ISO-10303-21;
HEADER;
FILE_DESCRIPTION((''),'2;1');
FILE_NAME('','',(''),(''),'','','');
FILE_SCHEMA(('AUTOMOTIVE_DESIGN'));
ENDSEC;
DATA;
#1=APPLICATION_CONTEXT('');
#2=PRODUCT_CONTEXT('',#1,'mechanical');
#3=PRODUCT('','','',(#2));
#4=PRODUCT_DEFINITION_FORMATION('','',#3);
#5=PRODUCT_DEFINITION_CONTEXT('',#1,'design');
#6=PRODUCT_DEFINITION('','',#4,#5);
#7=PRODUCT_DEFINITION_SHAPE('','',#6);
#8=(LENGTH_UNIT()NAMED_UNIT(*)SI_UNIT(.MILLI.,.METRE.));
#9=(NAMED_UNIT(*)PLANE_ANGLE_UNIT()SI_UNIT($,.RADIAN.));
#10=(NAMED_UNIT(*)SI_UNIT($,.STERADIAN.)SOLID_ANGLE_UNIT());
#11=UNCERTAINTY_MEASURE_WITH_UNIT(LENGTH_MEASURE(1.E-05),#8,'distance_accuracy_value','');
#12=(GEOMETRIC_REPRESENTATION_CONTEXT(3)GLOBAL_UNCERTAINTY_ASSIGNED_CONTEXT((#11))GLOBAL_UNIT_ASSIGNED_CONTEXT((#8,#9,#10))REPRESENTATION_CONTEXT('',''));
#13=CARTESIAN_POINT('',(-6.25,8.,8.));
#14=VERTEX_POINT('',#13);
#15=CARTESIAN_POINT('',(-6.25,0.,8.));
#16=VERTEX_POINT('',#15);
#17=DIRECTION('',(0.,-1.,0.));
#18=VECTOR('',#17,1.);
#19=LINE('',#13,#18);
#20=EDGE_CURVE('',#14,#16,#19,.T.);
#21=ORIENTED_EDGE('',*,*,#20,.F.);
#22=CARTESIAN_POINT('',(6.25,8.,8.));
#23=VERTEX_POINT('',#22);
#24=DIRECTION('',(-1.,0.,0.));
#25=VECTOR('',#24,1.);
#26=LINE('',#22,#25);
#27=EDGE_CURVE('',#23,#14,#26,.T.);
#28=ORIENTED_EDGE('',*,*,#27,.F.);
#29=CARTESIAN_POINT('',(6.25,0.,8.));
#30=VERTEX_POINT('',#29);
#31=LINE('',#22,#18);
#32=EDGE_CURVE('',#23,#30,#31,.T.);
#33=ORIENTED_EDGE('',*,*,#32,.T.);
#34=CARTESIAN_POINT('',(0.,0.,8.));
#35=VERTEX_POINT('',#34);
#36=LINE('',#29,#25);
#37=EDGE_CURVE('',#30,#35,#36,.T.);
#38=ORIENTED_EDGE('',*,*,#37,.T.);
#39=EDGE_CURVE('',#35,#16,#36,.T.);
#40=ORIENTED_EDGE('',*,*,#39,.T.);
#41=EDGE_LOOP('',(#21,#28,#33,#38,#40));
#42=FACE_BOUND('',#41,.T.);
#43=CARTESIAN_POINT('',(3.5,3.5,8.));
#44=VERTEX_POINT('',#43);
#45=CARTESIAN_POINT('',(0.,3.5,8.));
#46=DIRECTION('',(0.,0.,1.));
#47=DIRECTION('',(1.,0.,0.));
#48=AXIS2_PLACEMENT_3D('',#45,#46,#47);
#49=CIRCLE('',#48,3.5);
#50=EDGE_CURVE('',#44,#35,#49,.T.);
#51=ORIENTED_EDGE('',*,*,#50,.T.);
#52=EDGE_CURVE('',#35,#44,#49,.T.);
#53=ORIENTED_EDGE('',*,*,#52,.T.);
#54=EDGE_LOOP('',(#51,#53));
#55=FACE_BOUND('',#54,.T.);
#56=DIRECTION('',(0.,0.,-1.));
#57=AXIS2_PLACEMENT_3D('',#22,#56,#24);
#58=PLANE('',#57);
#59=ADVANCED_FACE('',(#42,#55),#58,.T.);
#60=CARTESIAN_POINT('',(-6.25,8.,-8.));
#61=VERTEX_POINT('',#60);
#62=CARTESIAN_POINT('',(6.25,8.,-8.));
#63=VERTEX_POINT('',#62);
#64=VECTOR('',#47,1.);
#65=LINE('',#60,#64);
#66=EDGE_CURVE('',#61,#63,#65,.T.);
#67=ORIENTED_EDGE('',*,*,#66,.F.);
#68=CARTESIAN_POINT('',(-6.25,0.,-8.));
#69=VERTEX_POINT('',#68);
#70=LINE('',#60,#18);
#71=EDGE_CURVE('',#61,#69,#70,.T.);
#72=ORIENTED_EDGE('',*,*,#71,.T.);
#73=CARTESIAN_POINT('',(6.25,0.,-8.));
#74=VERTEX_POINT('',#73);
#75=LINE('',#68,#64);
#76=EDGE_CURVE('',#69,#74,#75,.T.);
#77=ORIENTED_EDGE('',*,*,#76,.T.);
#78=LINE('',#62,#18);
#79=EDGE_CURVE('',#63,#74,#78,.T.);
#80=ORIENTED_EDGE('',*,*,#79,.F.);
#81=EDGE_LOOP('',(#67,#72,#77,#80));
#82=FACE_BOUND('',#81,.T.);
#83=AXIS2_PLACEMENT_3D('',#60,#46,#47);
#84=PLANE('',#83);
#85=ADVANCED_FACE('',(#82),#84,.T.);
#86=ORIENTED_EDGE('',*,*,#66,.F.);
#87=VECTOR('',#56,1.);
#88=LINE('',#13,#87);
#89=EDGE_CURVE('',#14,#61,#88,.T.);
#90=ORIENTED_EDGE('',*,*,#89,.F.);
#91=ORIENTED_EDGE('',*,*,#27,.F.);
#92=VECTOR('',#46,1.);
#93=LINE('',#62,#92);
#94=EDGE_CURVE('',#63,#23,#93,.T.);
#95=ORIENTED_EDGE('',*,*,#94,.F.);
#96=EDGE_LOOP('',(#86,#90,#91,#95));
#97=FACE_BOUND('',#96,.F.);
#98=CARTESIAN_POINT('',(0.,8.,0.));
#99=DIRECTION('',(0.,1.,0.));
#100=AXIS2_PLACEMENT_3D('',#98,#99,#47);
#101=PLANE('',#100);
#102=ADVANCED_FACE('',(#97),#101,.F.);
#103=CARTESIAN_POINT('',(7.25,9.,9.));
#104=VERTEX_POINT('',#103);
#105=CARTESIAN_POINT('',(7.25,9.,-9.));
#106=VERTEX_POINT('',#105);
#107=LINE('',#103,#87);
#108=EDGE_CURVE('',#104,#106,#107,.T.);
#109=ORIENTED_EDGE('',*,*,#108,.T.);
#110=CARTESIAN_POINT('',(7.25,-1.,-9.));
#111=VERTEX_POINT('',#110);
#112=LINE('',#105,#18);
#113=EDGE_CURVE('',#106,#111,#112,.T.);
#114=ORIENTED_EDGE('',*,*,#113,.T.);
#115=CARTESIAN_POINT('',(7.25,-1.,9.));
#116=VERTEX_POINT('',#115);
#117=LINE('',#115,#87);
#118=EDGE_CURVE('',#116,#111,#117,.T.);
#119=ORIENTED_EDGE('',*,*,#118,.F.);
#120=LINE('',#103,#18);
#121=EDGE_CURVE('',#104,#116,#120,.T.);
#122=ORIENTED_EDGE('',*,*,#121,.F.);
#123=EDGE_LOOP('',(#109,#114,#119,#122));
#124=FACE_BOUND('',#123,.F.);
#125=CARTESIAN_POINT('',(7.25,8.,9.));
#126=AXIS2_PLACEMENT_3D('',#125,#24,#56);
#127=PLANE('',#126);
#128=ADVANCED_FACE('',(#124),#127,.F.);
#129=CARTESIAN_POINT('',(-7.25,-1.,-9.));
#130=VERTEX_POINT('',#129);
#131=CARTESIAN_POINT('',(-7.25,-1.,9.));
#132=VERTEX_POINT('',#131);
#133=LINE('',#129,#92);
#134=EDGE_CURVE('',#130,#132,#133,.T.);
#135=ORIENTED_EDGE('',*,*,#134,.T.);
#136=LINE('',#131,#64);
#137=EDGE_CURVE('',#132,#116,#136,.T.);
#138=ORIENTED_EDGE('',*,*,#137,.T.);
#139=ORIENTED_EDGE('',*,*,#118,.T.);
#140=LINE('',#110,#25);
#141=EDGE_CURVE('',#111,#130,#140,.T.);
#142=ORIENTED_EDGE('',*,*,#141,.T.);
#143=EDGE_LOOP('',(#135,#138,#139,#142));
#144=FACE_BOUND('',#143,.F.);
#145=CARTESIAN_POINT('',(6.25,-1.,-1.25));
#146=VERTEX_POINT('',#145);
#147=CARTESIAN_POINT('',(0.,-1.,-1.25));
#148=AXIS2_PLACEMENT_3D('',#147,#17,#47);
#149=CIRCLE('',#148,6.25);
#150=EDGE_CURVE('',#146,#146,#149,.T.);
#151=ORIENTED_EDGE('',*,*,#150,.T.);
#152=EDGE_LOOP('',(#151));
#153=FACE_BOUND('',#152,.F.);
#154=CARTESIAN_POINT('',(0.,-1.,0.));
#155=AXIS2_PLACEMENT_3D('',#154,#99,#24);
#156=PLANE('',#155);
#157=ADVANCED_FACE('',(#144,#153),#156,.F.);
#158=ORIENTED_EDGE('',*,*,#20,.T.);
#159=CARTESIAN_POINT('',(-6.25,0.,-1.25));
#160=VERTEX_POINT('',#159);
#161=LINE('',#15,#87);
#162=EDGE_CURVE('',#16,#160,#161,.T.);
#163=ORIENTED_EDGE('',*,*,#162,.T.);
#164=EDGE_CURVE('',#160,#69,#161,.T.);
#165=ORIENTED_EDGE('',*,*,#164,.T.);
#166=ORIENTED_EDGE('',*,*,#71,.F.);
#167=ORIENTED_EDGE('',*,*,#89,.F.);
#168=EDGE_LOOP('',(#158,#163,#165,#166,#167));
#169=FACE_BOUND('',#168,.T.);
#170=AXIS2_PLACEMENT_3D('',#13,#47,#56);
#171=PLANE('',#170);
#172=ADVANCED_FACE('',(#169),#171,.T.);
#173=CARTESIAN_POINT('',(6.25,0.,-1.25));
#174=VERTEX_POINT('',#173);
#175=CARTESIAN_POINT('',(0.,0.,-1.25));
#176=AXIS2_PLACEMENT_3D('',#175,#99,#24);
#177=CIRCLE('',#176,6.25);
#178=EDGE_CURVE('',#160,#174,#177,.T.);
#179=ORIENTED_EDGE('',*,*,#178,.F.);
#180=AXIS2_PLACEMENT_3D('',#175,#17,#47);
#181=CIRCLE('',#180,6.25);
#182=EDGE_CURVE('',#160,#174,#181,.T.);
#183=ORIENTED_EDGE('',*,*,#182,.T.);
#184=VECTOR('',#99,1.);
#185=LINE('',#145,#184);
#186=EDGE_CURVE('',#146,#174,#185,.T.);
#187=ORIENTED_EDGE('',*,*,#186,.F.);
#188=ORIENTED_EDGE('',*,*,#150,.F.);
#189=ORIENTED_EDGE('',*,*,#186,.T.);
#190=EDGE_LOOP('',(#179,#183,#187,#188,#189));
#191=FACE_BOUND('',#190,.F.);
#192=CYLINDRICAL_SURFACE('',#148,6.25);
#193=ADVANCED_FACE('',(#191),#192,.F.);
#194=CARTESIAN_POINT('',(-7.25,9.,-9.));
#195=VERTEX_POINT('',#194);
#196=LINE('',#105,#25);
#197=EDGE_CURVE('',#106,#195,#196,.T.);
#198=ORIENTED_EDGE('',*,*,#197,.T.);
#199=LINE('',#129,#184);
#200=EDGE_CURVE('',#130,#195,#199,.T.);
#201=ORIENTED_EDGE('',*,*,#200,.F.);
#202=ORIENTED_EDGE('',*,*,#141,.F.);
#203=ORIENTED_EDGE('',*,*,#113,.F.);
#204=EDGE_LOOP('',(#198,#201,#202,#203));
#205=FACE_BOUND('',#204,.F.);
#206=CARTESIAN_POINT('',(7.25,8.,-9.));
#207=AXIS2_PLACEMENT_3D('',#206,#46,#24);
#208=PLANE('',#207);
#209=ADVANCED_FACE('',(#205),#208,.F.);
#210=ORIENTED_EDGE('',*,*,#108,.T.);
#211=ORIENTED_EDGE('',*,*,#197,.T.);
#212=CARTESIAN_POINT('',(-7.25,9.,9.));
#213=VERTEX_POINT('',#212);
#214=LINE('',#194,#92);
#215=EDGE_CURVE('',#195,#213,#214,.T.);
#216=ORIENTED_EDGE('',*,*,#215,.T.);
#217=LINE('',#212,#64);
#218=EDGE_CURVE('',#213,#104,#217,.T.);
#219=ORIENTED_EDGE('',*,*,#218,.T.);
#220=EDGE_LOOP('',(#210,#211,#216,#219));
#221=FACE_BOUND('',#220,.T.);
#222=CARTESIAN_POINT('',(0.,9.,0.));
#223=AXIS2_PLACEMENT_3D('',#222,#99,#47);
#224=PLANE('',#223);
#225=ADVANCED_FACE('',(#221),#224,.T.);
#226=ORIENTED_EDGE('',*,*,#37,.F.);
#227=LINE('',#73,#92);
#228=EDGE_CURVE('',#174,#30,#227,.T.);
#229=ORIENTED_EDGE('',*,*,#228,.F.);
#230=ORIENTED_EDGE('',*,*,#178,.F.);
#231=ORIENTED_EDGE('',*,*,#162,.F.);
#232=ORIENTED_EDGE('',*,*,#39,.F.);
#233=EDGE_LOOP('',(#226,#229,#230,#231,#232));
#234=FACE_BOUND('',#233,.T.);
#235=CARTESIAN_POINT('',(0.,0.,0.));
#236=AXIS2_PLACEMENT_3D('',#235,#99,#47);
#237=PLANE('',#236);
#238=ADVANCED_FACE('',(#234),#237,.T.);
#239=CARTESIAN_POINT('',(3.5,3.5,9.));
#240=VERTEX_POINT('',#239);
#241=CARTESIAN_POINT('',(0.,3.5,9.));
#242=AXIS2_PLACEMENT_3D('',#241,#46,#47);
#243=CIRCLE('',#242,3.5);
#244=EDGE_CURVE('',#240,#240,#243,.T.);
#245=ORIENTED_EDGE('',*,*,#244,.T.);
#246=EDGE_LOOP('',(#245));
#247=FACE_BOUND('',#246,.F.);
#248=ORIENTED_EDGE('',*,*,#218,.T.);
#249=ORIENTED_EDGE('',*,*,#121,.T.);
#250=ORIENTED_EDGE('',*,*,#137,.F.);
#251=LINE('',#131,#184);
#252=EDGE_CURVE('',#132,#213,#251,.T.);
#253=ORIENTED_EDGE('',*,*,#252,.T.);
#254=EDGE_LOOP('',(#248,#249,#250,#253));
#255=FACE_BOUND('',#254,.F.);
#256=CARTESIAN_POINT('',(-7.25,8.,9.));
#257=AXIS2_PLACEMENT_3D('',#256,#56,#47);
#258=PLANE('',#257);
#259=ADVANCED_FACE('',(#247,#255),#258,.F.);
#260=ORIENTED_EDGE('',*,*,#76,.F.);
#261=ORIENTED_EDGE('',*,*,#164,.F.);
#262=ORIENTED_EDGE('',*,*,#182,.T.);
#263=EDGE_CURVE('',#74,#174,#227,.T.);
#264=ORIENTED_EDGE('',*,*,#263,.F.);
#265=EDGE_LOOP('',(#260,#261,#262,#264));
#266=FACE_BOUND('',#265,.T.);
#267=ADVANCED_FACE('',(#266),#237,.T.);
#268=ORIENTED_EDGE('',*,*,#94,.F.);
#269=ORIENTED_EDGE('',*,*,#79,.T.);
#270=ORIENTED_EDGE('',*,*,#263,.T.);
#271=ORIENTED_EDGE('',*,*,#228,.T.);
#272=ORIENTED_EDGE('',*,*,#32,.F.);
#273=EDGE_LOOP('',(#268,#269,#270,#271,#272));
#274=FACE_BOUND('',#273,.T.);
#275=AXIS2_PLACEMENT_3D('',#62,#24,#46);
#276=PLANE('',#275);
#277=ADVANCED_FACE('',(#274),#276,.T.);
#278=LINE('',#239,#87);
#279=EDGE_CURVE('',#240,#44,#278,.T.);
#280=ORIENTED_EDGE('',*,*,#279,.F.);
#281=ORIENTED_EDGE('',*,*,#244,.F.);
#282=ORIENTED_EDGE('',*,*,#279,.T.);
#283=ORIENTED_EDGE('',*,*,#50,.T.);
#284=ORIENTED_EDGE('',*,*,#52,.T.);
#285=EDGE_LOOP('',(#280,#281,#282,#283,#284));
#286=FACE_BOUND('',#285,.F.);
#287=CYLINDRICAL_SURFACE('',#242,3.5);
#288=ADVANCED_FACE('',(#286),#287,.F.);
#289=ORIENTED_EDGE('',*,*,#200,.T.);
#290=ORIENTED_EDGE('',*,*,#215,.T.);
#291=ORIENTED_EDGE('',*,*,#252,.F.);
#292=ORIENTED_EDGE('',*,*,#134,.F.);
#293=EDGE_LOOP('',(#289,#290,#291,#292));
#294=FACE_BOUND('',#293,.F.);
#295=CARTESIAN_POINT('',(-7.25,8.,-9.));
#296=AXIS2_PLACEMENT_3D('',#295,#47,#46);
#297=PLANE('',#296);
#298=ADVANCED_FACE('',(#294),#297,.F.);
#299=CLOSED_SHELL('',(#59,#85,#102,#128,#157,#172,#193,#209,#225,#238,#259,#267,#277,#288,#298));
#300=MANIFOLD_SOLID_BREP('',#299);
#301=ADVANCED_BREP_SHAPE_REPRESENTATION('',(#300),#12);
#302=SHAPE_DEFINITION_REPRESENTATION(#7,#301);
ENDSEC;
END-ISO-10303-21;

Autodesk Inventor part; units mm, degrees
ref_plane "YZ Plane" through (0, 0, 0) normal (1, 0, 0) x (0, 1, 0)
ref_plane "XZ Plane" through (0, 0, 0) normal (0, 1, 0) x (-1, 0, 0)
ref_plane "XY Plane" through (0, 0, 0) normal (0, 0, 1) x (1, 0, 0)
sketch "Sketch1" plane through (0, 0, 0) normal (0, 1, 0) x (-1, 0, 0)
  line L0 (-7.25, -9) -> (7.25, -9)
  line L1 (7.25, -9) -> (7.25, 9)
  line L2 (7.25, 9) -> (-7.25, 9)
  line L3 (-7.25, 9) -> (-7.25, -9)
  line L4 (-7.25, -9) -> (7.25, 9) construction
  line L5 (7.25, -9) -> (-7.25, 9) construction
  point P0 (0, 0)
  dimension "d0" = 14.5
  dimension "d1" = 18
extrude "Extrusion1" add sketch "Sketch1" along normal blind 8 and the other way blind 1
sketch "Sketch2" plane through (0, -1, 0) normal (0, -1, 0) x (1, 0, 0)
  line L0 (-7.25, 9) -> (-7.25, -9) projected
  line L1 (-7.25, -9) -> (7.25, -9) projected
  circle A0 centre (0, -1.25) radius 6.25
  point P0 (0, 0)
  dimension "d7" = 1.5
  dimension "d8" = 1
  dimension "d9" = 12.5
extrude "Extrusion2" cut sketch "Sketch2" against normal blind 8
sketch "Sketch3" plane through (-7.25, 8, 9) normal (0, 0, 1) x (1, 0, 0)
  line L0 (0, 0) -> (14.5, 0) projected
  circle A0 centre (7.25, -4.5) radius 3.5
  point P0 (7.25, -8)
  dimension "d14" = 1
extrude "Extrusion3" cut sketch "Sketch3" against normal blind 8
sketch "Sketch4" plane through (0, 8, 0) normal (0, 1, 0) x (1, 0, 0)
  line L0 (-7.25, 9) -> (-7.25, -9) projected
  line L1 (-7.25, -9) -> (7.25, -9) projected
  line L2 (7.25, -9) -> (7.25, 9) projected
  line L3 (7.25, 9) -> (-7.25, 9) projected
  line L4 (6.25, -8) -> (-6.25, -8)
  line L5 (-6.25, -8) -> (-6.25, 8)
  line L6 (-6.25, 8) -> (6.25, 8)
  line L7 (6.25, 8) -> (6.25, -8)
  point P0 (0, 0)
  dimension "d17" = 1
  dimension "d18" = 1
  dimension "d19" = 1
  dimension "d20" = 1
extrude "Extrusion4" cut sketch "Sketch4" against normal blind 8 contours L4 L5 L6 L7
sketch "Sketch5" plane through (0, 8, 0) normal (0, 1, 0) x (1, 0, 0)
  line L0 (-7.25, 9) -> (-7.25, -9) projected
  line L1 (-7.25, -9) -> (7.25, -9) projected
  line L2 (7.25, -9) -> (7.25, 9) projected
  line L3 (7.25, 9) -> (-7.25, 9) projected
  line L4 (7.25, -9) -> (-7.25, -9) projected
  line L5 (7.25, 9) -> (-7.25, 9)
  line L6 (-7.25, 9) -> (-7.25, -9)
  line L7 (-7.25, -9) -> (7.25, -9)
  line L8 (7.25, -9) -> (7.25, 9)
  point P0 (0, 0)
extrude "Extrusion5" add sketch "Sketch5" along normal blind 1
properties part number "carcasaXeotype_BUZZER"
